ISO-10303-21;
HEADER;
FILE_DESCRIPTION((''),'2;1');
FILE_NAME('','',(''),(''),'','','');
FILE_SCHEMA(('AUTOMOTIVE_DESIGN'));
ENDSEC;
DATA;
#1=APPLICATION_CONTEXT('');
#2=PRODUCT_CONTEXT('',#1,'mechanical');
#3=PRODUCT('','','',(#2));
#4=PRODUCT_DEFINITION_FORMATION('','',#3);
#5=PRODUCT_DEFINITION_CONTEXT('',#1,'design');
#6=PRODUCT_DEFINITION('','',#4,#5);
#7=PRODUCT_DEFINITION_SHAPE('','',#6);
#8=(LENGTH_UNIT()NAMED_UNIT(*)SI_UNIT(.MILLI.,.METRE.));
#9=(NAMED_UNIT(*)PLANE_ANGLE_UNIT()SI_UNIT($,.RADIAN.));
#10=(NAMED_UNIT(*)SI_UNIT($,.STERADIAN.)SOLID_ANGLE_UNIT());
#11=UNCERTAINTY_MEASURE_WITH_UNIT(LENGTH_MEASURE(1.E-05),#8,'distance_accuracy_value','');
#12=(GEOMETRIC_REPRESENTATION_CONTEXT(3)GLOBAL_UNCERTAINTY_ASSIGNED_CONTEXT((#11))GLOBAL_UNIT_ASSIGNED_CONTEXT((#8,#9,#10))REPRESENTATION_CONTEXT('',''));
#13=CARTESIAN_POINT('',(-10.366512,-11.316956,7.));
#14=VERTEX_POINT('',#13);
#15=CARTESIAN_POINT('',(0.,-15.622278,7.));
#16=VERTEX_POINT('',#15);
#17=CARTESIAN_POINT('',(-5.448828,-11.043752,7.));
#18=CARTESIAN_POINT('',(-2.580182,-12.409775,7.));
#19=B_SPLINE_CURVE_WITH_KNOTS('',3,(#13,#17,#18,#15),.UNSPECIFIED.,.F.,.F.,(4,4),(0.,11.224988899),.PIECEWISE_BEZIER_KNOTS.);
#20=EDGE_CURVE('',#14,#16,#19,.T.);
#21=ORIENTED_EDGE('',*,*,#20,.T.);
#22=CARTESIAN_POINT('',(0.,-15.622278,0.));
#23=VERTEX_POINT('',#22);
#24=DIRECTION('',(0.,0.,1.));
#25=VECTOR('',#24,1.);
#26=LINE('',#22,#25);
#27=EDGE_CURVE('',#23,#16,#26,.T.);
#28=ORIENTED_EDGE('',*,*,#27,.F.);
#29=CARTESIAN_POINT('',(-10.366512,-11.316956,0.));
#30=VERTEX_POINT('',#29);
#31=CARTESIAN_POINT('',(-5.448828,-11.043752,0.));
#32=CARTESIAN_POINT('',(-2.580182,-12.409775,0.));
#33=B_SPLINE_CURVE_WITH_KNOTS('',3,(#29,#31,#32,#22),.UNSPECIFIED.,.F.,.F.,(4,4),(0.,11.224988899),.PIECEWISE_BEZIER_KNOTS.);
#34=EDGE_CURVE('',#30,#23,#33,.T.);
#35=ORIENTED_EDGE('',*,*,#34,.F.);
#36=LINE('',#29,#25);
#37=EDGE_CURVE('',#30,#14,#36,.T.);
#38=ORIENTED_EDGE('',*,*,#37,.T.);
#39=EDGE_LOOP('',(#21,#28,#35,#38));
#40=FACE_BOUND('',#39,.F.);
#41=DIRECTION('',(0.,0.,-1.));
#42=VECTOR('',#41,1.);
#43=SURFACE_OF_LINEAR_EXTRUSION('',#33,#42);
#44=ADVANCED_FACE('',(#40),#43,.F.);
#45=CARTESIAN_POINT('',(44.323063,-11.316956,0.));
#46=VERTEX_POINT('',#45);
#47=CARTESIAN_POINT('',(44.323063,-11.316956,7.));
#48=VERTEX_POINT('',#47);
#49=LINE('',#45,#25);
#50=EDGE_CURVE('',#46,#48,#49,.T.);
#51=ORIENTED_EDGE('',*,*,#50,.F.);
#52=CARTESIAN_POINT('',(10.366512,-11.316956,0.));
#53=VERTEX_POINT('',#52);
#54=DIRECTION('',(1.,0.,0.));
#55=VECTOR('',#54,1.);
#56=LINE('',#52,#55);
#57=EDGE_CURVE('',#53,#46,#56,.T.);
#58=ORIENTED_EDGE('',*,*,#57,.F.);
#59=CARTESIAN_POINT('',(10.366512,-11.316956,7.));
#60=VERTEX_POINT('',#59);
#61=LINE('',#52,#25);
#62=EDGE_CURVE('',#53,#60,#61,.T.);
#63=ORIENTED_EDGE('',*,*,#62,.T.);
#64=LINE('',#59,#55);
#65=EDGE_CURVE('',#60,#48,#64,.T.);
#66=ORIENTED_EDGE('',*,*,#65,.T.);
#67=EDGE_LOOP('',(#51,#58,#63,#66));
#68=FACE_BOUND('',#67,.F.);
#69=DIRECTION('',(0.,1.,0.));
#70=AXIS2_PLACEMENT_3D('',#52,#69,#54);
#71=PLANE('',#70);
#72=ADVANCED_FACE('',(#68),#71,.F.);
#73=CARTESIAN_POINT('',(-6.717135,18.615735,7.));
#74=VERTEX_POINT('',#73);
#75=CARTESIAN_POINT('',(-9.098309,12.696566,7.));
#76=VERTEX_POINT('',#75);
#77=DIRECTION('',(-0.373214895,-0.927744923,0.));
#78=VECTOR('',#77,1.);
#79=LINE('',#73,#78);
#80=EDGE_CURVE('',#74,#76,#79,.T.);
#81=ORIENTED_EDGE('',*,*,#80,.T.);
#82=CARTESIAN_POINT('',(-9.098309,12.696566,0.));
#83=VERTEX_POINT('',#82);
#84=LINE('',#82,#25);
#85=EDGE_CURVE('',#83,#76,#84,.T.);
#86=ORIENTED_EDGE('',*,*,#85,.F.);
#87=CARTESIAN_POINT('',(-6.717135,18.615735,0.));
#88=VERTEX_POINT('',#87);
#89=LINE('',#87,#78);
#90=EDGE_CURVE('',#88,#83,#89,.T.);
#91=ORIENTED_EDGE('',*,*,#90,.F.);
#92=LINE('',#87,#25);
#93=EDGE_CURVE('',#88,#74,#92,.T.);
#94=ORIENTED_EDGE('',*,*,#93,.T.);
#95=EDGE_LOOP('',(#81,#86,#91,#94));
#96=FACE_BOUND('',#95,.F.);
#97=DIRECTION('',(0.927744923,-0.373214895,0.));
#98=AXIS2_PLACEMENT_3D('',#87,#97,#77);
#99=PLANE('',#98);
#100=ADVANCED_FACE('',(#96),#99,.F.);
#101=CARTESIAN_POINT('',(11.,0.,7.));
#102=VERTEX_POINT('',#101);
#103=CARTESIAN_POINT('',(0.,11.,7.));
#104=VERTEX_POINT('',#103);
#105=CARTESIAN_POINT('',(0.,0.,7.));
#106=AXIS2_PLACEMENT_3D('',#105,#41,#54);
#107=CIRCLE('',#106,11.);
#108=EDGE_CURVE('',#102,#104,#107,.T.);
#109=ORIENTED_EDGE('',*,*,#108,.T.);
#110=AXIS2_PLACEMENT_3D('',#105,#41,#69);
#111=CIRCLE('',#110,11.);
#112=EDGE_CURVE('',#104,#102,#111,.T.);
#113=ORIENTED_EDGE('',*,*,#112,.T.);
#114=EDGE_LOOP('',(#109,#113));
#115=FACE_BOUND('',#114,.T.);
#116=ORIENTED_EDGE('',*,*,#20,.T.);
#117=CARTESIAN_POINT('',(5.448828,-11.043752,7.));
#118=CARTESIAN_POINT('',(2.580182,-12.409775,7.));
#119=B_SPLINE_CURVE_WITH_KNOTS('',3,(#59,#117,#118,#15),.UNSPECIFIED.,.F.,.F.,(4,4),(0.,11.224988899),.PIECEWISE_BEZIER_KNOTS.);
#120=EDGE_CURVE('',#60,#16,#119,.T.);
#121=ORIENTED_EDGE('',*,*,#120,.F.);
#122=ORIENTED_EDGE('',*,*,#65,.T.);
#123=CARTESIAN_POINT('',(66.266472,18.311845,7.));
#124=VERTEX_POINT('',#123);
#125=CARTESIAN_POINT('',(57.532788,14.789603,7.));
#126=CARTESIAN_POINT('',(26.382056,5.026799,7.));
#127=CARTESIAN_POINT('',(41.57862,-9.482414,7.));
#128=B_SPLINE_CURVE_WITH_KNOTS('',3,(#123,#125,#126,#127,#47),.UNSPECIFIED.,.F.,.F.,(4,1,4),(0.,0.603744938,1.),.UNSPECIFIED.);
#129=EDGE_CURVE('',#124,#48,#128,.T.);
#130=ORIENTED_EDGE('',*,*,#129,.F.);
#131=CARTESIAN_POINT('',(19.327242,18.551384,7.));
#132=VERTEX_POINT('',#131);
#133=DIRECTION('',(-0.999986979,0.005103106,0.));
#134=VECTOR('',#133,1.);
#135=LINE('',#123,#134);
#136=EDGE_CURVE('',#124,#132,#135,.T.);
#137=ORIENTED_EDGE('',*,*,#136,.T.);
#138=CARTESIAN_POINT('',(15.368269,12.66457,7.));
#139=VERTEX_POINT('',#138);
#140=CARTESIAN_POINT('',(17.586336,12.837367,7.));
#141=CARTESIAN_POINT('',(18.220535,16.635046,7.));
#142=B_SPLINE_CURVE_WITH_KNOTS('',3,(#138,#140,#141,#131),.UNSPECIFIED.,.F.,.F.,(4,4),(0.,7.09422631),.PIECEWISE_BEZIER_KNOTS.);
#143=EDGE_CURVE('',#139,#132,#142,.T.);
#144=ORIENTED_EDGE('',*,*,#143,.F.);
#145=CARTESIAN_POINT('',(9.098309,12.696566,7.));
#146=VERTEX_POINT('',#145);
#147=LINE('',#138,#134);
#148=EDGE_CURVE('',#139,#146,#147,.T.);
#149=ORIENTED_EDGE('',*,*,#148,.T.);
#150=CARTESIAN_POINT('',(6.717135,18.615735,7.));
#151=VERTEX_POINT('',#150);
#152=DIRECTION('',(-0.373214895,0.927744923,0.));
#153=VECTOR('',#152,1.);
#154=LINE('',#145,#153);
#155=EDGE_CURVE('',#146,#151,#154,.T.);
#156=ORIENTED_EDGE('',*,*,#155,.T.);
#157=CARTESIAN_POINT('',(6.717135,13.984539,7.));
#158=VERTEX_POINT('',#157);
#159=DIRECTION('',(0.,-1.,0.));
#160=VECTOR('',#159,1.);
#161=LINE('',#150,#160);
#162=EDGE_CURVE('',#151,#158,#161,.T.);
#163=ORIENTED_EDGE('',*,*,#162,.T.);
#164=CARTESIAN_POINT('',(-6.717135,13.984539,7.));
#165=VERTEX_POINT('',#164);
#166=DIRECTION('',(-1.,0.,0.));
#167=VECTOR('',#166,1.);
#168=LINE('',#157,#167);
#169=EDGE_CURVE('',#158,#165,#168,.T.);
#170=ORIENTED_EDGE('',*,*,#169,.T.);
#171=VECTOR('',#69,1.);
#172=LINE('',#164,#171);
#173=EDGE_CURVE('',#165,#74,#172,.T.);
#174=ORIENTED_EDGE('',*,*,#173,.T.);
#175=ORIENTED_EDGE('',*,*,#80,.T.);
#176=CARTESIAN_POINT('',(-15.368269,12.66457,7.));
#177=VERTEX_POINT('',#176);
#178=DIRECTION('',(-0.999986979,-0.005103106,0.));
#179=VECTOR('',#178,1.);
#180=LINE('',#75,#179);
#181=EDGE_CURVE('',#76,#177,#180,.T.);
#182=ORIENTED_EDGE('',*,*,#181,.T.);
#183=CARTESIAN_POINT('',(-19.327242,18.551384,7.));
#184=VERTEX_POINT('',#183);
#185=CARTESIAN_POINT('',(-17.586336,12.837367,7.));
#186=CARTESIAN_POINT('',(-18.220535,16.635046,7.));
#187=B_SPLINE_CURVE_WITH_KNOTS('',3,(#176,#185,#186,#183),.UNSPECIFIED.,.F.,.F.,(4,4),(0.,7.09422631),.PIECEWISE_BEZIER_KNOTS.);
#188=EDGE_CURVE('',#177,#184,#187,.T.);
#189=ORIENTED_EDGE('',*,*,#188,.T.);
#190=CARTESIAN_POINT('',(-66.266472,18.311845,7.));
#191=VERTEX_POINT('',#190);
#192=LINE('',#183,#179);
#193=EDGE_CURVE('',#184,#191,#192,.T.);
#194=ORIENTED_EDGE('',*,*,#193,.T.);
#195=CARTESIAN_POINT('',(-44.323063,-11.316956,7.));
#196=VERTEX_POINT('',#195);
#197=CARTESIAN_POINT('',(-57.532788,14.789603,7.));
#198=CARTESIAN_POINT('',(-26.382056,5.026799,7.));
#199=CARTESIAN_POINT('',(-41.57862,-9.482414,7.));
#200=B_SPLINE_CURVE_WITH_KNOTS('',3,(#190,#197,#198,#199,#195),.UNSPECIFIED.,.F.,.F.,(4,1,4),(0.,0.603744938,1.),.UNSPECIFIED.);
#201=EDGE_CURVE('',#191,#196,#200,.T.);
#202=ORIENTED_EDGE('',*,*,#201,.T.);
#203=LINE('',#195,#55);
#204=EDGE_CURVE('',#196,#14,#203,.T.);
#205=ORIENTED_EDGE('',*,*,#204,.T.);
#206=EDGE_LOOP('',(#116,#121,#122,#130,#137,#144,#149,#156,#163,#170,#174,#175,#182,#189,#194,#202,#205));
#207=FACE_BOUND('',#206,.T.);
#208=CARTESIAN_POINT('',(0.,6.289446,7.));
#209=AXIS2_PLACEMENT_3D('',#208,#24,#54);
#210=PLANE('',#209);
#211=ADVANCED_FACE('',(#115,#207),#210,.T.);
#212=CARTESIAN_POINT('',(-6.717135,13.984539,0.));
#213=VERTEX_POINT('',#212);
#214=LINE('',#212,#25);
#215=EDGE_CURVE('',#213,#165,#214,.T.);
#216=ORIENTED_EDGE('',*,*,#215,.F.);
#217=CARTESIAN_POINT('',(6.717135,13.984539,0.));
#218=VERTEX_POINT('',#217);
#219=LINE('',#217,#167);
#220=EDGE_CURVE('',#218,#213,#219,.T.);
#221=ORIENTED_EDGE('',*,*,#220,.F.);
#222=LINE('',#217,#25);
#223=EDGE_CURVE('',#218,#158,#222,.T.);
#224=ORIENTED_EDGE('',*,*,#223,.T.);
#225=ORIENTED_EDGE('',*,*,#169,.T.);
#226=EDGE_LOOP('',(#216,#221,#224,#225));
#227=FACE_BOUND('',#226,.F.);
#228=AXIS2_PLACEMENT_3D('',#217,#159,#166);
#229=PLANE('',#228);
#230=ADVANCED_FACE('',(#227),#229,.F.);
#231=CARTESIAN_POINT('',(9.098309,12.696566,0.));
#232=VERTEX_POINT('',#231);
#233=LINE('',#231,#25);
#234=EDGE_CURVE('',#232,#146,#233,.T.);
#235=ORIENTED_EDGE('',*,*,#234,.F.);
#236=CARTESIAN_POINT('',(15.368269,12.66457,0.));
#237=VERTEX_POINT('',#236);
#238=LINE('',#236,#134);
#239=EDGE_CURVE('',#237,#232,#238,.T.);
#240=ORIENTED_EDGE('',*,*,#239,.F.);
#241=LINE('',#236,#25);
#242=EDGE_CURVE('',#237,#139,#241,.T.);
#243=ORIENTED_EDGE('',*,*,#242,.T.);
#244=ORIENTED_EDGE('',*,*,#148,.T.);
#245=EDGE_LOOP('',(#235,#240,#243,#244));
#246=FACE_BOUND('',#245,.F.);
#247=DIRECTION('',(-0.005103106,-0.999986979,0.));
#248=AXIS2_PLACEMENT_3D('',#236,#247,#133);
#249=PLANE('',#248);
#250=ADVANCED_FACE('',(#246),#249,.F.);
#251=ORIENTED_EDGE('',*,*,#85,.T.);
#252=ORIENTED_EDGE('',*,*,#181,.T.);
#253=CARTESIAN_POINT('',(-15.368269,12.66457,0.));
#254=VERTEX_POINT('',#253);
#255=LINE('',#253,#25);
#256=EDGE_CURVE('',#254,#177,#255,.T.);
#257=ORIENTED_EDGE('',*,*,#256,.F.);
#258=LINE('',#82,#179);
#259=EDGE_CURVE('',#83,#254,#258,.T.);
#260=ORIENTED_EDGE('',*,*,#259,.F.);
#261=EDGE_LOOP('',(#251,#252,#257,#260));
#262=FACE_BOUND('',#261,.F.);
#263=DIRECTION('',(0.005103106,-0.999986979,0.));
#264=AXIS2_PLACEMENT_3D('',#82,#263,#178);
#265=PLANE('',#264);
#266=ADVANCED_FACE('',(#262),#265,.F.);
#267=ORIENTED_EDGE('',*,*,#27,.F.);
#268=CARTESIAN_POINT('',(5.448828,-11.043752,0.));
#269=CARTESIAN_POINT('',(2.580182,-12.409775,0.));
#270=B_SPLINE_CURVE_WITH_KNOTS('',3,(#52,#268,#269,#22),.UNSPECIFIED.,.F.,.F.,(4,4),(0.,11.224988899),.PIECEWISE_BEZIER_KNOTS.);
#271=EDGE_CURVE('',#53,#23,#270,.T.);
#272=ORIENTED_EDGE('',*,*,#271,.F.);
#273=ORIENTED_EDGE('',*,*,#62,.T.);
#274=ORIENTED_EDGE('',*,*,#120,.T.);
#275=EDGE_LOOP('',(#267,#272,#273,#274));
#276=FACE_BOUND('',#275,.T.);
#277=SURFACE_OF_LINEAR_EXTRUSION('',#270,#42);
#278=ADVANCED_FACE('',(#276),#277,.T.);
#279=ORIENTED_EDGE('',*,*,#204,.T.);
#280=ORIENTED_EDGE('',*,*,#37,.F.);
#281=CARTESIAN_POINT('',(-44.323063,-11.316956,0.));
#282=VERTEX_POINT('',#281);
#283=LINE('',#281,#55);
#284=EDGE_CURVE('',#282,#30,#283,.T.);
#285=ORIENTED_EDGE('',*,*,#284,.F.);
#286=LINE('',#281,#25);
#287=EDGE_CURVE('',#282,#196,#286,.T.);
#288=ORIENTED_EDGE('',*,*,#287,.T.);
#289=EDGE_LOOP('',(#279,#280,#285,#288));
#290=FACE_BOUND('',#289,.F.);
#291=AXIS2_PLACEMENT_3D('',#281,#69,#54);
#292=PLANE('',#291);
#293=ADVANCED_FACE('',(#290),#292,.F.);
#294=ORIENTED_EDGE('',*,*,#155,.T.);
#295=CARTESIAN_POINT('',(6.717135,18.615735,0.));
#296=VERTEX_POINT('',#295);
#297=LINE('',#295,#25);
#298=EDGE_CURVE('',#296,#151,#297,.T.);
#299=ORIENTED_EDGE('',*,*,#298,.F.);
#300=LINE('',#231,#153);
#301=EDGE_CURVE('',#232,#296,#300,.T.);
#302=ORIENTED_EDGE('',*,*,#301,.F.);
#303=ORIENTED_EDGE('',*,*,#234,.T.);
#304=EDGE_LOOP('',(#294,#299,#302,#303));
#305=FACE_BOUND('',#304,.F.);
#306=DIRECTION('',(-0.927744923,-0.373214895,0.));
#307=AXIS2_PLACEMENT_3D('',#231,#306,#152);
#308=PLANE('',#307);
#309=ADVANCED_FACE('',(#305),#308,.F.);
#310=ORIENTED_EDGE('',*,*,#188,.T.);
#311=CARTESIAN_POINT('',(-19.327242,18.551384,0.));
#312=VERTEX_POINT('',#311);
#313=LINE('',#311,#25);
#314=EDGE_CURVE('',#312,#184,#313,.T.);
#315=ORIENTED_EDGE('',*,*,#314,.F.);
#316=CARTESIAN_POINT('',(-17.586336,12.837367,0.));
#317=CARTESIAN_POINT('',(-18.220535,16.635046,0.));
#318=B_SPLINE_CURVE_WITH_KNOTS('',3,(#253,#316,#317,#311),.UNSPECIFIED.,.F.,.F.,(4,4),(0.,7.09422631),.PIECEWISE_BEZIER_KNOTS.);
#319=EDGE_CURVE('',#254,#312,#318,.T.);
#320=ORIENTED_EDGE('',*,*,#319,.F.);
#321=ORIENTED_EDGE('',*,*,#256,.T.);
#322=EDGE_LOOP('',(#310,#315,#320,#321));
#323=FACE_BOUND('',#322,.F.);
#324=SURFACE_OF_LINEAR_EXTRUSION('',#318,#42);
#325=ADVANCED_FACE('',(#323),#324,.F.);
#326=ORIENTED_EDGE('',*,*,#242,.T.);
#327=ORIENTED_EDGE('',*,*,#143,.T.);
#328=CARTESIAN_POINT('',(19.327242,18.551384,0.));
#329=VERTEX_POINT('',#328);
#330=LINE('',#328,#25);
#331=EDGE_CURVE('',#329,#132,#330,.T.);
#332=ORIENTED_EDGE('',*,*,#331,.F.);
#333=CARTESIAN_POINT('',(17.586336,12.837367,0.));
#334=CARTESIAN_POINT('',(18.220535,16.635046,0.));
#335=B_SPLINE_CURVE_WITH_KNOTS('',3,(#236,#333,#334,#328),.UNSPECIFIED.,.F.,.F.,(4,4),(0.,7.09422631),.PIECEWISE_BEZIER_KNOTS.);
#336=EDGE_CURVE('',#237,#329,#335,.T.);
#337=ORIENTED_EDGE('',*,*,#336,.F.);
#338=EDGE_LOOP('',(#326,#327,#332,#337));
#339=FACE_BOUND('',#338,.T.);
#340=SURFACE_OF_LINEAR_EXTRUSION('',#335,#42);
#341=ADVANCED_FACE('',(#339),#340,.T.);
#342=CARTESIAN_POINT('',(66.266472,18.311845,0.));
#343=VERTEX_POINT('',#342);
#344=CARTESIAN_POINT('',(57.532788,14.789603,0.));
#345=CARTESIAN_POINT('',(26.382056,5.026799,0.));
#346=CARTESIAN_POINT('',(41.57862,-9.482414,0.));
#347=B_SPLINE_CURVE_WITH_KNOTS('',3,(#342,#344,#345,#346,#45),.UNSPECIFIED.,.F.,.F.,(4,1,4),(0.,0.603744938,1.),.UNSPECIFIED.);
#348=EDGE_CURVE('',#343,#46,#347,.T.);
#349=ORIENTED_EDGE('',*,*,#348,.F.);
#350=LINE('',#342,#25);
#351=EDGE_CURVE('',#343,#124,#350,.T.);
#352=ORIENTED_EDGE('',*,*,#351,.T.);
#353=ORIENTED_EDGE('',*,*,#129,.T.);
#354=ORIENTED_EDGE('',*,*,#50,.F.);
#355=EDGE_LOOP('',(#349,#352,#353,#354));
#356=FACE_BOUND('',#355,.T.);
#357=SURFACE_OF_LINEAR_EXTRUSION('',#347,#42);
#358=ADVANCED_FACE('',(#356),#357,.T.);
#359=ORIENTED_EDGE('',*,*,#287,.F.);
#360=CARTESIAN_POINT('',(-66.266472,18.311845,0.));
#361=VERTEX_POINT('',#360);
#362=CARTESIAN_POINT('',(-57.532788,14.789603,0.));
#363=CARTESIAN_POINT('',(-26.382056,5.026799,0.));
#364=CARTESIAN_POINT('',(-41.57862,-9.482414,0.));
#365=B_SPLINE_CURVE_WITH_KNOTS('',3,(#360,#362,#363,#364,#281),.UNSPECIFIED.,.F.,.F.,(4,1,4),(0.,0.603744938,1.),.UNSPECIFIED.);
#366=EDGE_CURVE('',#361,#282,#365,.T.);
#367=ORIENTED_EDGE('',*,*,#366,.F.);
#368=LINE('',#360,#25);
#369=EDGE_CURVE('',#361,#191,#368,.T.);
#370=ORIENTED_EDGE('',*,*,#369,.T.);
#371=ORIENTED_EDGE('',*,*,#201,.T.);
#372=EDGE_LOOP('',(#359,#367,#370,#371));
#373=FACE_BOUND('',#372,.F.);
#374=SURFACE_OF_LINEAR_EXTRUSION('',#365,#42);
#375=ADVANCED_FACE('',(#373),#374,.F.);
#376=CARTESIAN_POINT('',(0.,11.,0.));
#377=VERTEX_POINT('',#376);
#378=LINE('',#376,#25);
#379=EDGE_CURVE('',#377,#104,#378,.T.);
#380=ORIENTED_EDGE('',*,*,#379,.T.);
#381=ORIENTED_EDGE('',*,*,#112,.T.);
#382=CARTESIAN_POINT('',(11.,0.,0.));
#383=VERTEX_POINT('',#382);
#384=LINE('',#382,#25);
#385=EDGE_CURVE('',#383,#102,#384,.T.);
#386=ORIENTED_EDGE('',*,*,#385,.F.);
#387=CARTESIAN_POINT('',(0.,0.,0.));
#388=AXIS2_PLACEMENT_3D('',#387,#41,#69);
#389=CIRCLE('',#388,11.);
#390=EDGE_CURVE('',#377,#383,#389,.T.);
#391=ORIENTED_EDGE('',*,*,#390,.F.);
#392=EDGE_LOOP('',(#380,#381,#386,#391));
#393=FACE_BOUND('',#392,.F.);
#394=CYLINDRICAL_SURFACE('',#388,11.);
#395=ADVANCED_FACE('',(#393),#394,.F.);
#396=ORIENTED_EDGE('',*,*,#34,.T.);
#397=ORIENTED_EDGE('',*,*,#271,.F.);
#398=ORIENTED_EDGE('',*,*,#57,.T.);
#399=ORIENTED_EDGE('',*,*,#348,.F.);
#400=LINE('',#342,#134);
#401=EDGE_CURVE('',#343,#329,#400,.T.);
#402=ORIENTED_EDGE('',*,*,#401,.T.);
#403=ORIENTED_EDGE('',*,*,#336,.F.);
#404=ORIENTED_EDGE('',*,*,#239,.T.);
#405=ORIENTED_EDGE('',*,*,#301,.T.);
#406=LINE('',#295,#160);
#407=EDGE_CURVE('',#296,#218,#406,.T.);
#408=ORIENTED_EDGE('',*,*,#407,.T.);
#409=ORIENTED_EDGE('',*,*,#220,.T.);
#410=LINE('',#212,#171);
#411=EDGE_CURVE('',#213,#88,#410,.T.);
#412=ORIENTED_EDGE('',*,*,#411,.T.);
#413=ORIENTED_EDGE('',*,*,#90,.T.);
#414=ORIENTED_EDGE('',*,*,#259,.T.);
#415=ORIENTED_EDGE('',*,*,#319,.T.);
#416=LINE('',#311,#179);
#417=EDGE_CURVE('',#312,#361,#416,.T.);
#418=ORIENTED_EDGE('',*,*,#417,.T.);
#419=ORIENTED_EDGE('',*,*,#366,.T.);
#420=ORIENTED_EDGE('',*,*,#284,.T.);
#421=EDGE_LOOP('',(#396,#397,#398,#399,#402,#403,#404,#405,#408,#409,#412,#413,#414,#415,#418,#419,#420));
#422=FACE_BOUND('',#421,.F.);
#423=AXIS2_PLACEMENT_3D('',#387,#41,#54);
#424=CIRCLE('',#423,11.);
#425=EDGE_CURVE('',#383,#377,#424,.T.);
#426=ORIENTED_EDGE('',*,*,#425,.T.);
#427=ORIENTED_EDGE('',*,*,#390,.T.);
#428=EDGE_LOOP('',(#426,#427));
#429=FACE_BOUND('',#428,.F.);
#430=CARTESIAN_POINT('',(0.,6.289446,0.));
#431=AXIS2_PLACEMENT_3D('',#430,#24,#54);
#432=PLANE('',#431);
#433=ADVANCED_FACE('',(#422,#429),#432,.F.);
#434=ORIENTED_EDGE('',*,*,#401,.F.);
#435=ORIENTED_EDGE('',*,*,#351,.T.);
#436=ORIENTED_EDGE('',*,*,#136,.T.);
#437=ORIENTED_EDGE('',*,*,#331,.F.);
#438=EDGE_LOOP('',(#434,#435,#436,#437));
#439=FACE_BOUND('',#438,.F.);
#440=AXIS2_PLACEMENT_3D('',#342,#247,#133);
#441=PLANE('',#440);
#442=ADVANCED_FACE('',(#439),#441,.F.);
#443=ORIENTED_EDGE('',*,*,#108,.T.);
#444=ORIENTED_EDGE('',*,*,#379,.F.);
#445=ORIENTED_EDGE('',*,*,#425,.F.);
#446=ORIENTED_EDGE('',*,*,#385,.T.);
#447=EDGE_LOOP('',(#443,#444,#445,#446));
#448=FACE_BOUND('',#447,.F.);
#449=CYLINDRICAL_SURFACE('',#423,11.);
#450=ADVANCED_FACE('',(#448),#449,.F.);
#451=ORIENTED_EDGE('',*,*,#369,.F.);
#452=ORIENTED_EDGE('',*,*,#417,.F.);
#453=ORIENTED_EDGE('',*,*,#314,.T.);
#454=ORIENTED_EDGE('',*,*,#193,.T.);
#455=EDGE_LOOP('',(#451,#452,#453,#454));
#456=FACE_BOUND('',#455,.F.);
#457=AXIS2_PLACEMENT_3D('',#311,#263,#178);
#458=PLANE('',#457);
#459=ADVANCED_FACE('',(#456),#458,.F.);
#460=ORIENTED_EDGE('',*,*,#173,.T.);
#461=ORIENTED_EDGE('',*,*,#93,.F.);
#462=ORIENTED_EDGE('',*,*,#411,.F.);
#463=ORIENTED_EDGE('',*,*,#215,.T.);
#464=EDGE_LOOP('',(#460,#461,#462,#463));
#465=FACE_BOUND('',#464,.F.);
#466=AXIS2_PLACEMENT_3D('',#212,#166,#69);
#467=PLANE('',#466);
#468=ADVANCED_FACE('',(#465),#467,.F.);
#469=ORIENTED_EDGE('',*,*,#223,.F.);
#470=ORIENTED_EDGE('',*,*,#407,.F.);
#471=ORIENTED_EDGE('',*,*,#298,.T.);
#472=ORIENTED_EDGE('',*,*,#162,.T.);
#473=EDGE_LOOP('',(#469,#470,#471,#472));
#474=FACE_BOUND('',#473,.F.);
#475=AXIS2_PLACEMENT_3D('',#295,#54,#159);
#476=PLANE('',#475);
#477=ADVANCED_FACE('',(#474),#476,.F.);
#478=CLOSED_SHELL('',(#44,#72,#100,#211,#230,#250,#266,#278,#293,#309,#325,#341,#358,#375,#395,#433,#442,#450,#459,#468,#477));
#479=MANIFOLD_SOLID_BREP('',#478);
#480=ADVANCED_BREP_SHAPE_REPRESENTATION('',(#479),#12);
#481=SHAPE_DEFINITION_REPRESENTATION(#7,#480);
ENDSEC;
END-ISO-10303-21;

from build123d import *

# Parameters (mm, degrees)
F1_DEPTH = 7


with BuildPart() as f1:
    # F0 (on Top) → F1 (new body)
    with BuildSketch(Plane.XY):
        with BuildLine():
            Line((6.7171349792, 13.9845386147), (0, 13.9845386147))
            Line((0, 13.9845386147), (-6.7171349792, 13.9845386147))
            Line((-6.7171349792, 13.9845386147), (-6.7171349792, 18.615735254))
            Line((-6.7171349792, 18.615735254), (-9.0983088875, 12.6965663393))
            Line((-9.0983088875, 12.6965663393), (-15.3682688251, 12.6645696512))
            add(Edge.make_bspline(
                [(-15.3682688251, 12.6645696512), (-17.5863355398, 12.8373668077), (-18.2205353839, 16.6350456329), (-19.3272418318, 18.5513837016)],
                knots=[0, 0, 0, 0, 7.0942263096, 7.0942263096, 7.0942263096, 7.0942263096], degree=3))
            Line((-19.3272418318, 18.5513837016), (-66.2664719729, 18.3118447063))
            add(Edge.make_bspline(
                [(-66.2664719729, 18.3118447063), (-57.5327875442, 14.7896031158), (-26.3820560809, 5.0267987278), (-41.5786201966, -9.4824135442), (-44.3230627845, -11.3169560209)],
                knots=[0, 0, 0, 0, 0.6037449379, 1, 1, 1, 1], degree=3))
            Line((-44.3230627845, -11.3169560209), (-10.3665124625, -11.3169560209))
            add(Edge.make_bspline(
                [(-10.3665124625, -11.3169560209), (-5.44882752, -11.0437516123), (-2.5801816955, -12.4097745866), (0, -15.6222777441)],
                knots=[0, 0, 0, 0, 11.2249888987, 11.2249888987, 11.2249888987, 11.2249888987], degree=3))
            add(Edge.make_bspline(
                [(10.3665124625, -11.3169560209), (5.44882752, -11.0437516123), (2.5801816955, -12.4097745866), (0, -15.6222777441)],
                knots=[0, 0, 0, 0, 11.2249888987, 11.2249888987, 11.2249888987, 11.2249888987], degree=3))
            Line((10.3665124625, -11.3169560209), (44.3230627845, -11.3169560209))
            add(Edge.make_bspline(
                [(66.2664719729, 18.3118447063), (57.5327875442, 14.7896031158), (26.3820560809, 5.0267987278), (41.5786201966, -9.4824135442), (44.3230627845, -11.3169560209)],
                knots=[0, 0, 0, 0, 0.6037449379, 1, 1, 1, 1], degree=3))
            Line((66.2664719729, 18.3118447063), (19.3272418318, 18.5513837016))
            add(Edge.make_bspline(
                [(15.3682688251, 12.6645696512), (17.5863355398, 12.8373668077), (18.2205353839, 16.6350456329), (19.3272418318, 18.5513837016)],
                knots=[0, 0, 0, 0, 7.0942263096, 7.0942263096, 7.0942263096, 7.0942263096], degree=3))
            Line((15.3682688251, 12.6645696512), (9.0983088875, 12.6965663393))
            Line((9.0983088875, 12.6965663393), (6.7171349792, 18.615735254))
            Line((6.7171349792, 18.615735254), (6.7171349792, 13.9845386147))
        make_face()
        with BuildLine():
            ThreePointArc((0, 11), (7.7781745931, 7.7781745931), (11, 0))
            ThreePointArc((11, 0), (-7.7781745931, -7.7781745931), (0, 11))
        make_face(mode=Mode.SUBTRACT)
    extrude(amount=F1_DEPTH)


solid = f1.part
